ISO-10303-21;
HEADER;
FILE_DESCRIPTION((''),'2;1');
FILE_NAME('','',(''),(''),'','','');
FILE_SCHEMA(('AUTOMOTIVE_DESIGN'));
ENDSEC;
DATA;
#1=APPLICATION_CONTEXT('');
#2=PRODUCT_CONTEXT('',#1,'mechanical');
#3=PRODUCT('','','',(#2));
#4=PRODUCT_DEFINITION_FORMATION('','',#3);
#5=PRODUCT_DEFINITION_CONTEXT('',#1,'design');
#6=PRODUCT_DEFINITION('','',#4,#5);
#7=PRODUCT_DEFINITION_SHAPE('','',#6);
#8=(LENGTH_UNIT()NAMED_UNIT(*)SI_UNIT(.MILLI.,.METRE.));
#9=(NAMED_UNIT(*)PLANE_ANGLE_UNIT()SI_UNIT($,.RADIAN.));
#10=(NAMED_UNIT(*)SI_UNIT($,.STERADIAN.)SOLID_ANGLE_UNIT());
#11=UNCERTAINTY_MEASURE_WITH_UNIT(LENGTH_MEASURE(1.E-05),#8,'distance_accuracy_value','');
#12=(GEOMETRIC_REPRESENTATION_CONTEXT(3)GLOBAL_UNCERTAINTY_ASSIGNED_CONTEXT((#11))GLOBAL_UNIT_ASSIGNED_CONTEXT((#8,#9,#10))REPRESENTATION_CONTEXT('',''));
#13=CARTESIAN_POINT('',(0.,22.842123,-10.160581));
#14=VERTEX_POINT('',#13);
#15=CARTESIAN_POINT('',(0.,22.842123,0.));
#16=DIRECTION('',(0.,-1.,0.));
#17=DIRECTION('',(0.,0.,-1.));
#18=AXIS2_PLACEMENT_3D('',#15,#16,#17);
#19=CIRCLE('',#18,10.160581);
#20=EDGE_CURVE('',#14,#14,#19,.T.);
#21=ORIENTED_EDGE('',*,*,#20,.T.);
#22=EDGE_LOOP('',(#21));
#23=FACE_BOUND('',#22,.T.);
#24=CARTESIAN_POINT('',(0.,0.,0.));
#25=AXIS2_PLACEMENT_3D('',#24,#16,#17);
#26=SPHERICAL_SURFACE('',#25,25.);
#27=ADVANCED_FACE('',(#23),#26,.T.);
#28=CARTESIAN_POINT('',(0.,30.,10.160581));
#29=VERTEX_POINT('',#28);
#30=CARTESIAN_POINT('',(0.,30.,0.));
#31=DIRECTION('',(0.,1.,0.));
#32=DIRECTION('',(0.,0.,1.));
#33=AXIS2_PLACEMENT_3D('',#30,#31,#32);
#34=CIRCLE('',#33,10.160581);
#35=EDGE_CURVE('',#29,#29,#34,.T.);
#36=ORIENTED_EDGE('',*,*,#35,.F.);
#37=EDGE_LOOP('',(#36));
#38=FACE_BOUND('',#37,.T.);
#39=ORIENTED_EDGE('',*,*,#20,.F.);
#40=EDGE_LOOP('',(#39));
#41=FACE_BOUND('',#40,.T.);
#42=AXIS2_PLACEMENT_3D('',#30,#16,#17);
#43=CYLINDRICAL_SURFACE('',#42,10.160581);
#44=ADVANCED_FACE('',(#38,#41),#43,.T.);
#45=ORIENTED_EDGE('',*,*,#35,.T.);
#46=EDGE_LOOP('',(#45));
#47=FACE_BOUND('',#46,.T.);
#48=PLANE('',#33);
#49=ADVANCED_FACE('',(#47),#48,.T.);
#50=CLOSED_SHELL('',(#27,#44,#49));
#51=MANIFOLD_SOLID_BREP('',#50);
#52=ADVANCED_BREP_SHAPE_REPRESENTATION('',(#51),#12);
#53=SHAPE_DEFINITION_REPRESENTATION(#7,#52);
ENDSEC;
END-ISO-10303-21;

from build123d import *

# Parameters (mm, degrees)
SKETCH_2_R      = 10.160580838
EXTRUDE_1_DEPTH = 30


with BuildPart() as part:
    # 草图1 → 旋转1 (revolve)
    with BuildSketch(Plane(origin=(0, 0, 0), x_dir=(1, 0, 0), z_dir=(0, 1, 0))):
        with BuildLine():
            Line((0, 25), (0, -25))
            ThreePointArc((0, -25), (25, 0), (0, 25))
        make_face()
    revolve(axis=Axis((0, 0, 25), (0, 0, -1)))

    # 草图2 → 凸台-拉伸1 (add)
    with BuildSketch(Plane(origin=(0, 0, 0), x_dir=(1, 0, 0), z_dir=(0, 1, 0))):
        with Locations(Location((0, 0, 0), (0, 0, 90))):
            Circle(SKETCH_2_R)
    extrude(amount=EXTRUDE_1_DEPTH)


solid = part.part
